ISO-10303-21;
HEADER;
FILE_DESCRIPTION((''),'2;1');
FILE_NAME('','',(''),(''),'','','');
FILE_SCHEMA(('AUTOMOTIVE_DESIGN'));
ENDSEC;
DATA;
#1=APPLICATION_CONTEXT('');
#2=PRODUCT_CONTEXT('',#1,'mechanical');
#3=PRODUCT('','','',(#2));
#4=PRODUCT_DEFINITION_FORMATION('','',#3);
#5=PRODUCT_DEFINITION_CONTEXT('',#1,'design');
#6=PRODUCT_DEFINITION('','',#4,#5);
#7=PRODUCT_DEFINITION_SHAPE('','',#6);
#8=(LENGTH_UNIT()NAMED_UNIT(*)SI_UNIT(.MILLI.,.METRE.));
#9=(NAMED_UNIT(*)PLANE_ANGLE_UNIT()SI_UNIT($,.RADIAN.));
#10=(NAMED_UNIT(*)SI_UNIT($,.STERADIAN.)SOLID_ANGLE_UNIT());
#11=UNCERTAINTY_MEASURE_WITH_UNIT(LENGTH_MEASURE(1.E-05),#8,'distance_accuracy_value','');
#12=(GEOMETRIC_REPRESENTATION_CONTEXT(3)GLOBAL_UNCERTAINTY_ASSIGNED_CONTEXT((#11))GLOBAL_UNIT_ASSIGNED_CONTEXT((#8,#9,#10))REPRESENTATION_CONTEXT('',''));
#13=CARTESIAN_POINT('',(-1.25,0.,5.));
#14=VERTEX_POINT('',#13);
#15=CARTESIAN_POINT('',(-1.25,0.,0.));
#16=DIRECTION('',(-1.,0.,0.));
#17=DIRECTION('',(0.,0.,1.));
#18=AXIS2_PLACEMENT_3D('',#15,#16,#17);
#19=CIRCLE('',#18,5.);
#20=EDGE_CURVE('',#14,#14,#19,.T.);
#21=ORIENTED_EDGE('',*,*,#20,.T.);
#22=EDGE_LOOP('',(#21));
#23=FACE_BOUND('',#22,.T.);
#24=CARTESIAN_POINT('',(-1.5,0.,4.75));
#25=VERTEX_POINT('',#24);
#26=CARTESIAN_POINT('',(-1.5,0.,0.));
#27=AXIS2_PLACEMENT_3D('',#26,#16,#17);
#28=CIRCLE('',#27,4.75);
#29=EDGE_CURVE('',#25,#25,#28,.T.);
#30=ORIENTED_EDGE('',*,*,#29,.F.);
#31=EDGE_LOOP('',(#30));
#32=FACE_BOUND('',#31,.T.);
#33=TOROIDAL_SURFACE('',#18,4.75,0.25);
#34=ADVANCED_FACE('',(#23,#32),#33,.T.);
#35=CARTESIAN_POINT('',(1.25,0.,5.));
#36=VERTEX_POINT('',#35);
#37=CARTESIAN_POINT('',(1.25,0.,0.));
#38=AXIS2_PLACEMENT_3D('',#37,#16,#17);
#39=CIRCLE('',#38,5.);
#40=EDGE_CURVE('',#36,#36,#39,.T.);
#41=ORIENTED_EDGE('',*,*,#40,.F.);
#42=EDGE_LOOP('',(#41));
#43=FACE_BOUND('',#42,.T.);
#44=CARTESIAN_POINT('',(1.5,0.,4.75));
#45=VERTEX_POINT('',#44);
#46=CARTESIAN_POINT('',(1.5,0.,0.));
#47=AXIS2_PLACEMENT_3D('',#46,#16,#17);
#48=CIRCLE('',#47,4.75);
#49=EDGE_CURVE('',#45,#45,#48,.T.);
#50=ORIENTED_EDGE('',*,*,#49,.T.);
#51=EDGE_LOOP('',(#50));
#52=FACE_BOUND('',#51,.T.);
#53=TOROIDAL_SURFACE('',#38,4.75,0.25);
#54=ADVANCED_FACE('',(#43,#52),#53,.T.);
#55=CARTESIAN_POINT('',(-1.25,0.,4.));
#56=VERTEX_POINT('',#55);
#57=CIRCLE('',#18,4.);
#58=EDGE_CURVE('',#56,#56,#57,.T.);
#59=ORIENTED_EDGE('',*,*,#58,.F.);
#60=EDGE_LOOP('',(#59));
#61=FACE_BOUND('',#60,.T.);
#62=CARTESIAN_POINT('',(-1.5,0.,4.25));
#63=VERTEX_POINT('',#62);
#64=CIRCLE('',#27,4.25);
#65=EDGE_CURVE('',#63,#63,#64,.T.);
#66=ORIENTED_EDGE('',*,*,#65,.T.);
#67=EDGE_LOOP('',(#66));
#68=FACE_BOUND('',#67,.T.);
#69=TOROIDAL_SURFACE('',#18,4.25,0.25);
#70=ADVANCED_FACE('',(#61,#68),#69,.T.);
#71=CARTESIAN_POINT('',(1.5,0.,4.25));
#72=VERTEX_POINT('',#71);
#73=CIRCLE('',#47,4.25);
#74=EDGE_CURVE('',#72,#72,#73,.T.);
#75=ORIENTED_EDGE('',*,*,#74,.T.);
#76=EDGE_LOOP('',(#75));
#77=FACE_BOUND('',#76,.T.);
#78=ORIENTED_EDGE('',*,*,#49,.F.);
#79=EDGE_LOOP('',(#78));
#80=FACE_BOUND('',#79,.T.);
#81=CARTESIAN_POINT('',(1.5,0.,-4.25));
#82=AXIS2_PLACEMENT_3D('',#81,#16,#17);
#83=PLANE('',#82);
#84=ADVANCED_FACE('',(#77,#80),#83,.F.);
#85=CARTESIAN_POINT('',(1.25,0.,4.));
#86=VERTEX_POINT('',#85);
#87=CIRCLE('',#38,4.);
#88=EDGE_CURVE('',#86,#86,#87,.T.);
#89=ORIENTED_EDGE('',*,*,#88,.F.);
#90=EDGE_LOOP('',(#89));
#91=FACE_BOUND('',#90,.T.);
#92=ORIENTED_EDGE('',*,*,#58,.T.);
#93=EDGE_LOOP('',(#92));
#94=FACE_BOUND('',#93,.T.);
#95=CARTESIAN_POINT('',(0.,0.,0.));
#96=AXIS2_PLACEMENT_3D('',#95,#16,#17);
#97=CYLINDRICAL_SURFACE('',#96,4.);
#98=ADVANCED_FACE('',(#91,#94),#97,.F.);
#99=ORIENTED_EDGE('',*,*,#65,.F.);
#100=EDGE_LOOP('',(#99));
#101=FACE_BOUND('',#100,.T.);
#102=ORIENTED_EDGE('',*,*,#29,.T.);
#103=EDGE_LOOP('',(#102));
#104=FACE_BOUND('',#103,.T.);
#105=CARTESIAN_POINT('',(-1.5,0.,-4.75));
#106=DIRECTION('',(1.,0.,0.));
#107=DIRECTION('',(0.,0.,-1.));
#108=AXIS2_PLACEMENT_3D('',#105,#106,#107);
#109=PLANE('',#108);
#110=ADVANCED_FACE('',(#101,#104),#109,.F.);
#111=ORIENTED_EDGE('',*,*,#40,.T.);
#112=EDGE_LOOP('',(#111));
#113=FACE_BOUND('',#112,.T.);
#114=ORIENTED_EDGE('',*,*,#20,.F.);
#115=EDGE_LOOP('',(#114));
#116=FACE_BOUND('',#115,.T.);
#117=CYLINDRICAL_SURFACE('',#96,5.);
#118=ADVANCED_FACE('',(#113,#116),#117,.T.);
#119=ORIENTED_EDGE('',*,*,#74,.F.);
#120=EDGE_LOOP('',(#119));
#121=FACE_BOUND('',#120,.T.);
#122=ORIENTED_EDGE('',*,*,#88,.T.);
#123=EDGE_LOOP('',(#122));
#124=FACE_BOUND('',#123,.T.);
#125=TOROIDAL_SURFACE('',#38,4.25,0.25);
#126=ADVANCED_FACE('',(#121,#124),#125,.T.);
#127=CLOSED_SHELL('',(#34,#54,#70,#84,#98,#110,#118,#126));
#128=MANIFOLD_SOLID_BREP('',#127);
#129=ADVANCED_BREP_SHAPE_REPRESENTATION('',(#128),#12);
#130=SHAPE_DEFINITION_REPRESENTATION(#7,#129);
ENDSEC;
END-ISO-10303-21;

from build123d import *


with BuildPart() as part:
    # Croquis1 → Revolución1 (revolve)
    with BuildSketch(Plane(origin=(0, 0, 0), x_dir=(1, 0, 0), z_dir=(0, 1, 0)), mode=Mode.PRIVATE) as revoluci_n1_sk:
        with BuildLine():
            Line((1.5, 4.25), (1.5, 4.75))
            ThreePointArc((1.5, 4.75), (1.426776695, 4.926776695), (1.25, 5))
            Line((1.25, 5), (-1.25, 5))
            ThreePointArc((-1.25, 5), (-1.426776695, 4.926776695), (-1.5, 4.75))
            Line((-1.5, 4.75), (-1.5, 4.25))
            ThreePointArc((-1.5, 4.25), (-1.426776695, 4.073223305), (-1.25, 4))
            Line((-1.25, 4), (1.25, 4))
            ThreePointArc((1.25, 4), (1.426776695, 4.073223305), (1.5, 4.25))
        make_face()
    revolve(revoluci_n1_sk.sketch.rotate(Axis((0, 0, 0), (1, 0, 0)), 180), axis=Axis((0, 0, 0), (1, 0, 0)))


solid = part.part
